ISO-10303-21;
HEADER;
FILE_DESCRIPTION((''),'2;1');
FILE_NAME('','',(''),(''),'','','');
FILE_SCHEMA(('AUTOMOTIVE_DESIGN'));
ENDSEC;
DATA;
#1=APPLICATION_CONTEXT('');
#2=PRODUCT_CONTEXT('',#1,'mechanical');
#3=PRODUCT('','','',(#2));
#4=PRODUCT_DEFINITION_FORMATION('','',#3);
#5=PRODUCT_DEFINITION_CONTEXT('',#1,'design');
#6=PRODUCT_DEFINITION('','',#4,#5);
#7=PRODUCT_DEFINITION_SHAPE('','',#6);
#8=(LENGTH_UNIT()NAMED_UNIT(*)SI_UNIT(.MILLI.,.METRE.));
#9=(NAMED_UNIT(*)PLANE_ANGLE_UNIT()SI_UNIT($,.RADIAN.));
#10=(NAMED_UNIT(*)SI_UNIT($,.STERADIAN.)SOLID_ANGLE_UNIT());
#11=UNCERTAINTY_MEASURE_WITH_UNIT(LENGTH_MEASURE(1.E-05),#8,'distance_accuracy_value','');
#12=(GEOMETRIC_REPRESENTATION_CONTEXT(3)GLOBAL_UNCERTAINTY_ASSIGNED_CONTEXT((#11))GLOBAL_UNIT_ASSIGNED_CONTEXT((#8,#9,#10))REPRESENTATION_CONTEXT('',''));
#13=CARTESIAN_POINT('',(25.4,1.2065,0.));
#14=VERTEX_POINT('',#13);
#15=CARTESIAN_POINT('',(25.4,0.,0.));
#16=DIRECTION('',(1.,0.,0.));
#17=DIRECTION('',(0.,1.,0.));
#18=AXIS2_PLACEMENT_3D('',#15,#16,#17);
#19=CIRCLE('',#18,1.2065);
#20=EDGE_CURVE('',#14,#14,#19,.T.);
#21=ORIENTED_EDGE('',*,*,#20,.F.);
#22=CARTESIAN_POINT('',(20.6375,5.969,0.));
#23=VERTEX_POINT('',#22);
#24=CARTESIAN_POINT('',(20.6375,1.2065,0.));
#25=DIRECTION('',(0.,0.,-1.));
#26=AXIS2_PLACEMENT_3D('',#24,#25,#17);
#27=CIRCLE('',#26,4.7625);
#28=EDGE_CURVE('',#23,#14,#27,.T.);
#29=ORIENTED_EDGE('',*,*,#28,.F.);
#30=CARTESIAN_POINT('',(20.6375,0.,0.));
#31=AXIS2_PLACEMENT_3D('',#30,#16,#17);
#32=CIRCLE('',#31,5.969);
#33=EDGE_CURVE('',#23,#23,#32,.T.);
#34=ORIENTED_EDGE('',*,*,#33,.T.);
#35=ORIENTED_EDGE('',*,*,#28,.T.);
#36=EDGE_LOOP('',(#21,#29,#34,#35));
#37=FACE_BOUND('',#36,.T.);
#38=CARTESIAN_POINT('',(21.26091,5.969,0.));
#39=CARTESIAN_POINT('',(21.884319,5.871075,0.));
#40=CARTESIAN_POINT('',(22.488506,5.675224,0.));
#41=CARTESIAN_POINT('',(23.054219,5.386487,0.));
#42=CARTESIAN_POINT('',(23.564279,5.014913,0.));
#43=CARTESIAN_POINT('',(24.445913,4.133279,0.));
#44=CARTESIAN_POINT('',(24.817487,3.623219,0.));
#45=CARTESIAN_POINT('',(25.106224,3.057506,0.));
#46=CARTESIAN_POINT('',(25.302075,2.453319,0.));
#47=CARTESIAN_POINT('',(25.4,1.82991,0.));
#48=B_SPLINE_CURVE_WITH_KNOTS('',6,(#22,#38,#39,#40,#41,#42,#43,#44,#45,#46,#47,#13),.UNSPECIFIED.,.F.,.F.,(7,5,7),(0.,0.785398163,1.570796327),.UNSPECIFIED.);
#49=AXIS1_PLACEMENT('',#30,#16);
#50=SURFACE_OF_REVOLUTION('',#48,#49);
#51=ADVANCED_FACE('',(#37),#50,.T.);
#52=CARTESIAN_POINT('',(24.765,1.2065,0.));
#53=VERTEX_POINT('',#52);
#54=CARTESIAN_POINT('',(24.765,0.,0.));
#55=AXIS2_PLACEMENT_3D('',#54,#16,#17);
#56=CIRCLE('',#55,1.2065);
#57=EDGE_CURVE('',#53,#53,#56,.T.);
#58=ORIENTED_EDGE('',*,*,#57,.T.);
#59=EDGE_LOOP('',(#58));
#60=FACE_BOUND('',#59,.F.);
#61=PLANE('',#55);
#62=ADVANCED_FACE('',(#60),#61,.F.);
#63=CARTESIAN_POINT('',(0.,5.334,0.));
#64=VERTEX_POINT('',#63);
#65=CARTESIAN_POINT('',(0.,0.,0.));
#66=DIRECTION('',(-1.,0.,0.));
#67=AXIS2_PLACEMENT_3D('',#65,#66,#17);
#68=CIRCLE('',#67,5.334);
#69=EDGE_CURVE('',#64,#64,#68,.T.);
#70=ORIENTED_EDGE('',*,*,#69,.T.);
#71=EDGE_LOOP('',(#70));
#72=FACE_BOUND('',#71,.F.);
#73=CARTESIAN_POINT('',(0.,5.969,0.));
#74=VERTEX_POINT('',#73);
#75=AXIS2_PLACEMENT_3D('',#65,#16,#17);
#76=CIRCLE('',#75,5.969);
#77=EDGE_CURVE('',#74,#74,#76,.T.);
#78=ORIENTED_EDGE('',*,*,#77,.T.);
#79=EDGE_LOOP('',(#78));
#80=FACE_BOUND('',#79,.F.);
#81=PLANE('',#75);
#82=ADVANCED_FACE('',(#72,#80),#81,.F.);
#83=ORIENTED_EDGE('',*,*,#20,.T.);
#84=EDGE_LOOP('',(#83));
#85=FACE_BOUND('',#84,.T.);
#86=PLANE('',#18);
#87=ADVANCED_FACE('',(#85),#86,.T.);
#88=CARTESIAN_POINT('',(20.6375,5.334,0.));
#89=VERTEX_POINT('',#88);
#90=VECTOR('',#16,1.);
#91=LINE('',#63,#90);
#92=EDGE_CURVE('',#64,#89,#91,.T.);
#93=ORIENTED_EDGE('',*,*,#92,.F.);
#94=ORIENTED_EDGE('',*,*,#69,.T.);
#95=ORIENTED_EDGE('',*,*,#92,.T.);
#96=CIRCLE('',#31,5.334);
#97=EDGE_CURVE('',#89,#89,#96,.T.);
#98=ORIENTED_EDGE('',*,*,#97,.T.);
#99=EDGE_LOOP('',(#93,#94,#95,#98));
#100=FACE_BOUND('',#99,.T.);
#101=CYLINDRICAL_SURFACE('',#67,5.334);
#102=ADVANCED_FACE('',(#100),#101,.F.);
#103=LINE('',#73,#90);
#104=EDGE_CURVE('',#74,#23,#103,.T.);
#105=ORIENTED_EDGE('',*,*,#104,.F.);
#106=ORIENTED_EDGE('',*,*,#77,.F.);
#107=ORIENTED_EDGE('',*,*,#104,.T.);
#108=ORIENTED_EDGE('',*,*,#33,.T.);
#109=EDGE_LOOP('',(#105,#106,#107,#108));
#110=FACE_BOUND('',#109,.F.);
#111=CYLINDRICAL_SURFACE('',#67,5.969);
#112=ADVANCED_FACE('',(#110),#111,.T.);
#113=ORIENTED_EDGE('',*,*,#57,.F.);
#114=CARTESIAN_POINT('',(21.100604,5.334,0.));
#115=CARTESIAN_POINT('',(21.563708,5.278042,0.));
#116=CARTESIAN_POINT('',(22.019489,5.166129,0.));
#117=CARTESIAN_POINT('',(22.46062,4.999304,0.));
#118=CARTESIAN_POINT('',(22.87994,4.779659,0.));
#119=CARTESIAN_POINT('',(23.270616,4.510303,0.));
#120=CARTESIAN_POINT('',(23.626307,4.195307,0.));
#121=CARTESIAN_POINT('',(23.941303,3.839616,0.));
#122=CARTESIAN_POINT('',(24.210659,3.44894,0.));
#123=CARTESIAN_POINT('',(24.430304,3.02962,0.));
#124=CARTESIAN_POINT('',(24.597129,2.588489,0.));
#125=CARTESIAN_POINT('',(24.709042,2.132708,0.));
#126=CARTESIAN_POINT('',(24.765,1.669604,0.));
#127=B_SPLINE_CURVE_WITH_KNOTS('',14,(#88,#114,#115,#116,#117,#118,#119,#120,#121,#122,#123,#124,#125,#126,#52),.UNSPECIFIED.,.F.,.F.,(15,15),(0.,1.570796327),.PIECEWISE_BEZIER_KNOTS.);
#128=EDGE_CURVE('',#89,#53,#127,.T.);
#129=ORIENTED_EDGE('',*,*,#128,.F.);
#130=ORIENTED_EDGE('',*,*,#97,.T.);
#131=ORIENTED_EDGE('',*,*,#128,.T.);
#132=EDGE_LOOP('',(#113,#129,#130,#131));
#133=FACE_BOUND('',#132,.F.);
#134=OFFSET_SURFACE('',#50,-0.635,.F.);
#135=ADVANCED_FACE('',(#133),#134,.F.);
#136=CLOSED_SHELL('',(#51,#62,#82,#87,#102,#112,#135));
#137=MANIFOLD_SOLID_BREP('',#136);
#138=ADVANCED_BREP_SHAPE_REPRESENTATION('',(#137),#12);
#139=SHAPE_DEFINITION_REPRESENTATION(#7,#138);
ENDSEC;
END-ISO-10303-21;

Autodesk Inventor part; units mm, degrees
ref_plane "YZ Plane" through (0, 0, 0) normal (1, 0, 0) x (0, 1, 0)
ref_plane "XZ Plane" through (0, 0, 0) normal (0, 1, 0) x (-1, 0, 0)
ref_plane "XY Plane" through (0, 0, 0) normal (0, 0, 1) x (1, 0, 0)
sketch "Sketch1" plane through (0, 0, 0) normal (1, 0, 0) x (0, 1, 0)
  circle A0 centre (0, 0) radius 5.969
  dimension "d0" = 11.938
extrude "Extrusion1" add sketch "Sketch1" along normal blind 25.4
fillet "Fillet1" radius 4.7625 1 edges at (25.4, -5.969, 0)
shell "Shell1" thickness 0.635 removed faces 1 at (0, -1.9689, -1.3194)
properties part number "piston cup" material "Glass"
